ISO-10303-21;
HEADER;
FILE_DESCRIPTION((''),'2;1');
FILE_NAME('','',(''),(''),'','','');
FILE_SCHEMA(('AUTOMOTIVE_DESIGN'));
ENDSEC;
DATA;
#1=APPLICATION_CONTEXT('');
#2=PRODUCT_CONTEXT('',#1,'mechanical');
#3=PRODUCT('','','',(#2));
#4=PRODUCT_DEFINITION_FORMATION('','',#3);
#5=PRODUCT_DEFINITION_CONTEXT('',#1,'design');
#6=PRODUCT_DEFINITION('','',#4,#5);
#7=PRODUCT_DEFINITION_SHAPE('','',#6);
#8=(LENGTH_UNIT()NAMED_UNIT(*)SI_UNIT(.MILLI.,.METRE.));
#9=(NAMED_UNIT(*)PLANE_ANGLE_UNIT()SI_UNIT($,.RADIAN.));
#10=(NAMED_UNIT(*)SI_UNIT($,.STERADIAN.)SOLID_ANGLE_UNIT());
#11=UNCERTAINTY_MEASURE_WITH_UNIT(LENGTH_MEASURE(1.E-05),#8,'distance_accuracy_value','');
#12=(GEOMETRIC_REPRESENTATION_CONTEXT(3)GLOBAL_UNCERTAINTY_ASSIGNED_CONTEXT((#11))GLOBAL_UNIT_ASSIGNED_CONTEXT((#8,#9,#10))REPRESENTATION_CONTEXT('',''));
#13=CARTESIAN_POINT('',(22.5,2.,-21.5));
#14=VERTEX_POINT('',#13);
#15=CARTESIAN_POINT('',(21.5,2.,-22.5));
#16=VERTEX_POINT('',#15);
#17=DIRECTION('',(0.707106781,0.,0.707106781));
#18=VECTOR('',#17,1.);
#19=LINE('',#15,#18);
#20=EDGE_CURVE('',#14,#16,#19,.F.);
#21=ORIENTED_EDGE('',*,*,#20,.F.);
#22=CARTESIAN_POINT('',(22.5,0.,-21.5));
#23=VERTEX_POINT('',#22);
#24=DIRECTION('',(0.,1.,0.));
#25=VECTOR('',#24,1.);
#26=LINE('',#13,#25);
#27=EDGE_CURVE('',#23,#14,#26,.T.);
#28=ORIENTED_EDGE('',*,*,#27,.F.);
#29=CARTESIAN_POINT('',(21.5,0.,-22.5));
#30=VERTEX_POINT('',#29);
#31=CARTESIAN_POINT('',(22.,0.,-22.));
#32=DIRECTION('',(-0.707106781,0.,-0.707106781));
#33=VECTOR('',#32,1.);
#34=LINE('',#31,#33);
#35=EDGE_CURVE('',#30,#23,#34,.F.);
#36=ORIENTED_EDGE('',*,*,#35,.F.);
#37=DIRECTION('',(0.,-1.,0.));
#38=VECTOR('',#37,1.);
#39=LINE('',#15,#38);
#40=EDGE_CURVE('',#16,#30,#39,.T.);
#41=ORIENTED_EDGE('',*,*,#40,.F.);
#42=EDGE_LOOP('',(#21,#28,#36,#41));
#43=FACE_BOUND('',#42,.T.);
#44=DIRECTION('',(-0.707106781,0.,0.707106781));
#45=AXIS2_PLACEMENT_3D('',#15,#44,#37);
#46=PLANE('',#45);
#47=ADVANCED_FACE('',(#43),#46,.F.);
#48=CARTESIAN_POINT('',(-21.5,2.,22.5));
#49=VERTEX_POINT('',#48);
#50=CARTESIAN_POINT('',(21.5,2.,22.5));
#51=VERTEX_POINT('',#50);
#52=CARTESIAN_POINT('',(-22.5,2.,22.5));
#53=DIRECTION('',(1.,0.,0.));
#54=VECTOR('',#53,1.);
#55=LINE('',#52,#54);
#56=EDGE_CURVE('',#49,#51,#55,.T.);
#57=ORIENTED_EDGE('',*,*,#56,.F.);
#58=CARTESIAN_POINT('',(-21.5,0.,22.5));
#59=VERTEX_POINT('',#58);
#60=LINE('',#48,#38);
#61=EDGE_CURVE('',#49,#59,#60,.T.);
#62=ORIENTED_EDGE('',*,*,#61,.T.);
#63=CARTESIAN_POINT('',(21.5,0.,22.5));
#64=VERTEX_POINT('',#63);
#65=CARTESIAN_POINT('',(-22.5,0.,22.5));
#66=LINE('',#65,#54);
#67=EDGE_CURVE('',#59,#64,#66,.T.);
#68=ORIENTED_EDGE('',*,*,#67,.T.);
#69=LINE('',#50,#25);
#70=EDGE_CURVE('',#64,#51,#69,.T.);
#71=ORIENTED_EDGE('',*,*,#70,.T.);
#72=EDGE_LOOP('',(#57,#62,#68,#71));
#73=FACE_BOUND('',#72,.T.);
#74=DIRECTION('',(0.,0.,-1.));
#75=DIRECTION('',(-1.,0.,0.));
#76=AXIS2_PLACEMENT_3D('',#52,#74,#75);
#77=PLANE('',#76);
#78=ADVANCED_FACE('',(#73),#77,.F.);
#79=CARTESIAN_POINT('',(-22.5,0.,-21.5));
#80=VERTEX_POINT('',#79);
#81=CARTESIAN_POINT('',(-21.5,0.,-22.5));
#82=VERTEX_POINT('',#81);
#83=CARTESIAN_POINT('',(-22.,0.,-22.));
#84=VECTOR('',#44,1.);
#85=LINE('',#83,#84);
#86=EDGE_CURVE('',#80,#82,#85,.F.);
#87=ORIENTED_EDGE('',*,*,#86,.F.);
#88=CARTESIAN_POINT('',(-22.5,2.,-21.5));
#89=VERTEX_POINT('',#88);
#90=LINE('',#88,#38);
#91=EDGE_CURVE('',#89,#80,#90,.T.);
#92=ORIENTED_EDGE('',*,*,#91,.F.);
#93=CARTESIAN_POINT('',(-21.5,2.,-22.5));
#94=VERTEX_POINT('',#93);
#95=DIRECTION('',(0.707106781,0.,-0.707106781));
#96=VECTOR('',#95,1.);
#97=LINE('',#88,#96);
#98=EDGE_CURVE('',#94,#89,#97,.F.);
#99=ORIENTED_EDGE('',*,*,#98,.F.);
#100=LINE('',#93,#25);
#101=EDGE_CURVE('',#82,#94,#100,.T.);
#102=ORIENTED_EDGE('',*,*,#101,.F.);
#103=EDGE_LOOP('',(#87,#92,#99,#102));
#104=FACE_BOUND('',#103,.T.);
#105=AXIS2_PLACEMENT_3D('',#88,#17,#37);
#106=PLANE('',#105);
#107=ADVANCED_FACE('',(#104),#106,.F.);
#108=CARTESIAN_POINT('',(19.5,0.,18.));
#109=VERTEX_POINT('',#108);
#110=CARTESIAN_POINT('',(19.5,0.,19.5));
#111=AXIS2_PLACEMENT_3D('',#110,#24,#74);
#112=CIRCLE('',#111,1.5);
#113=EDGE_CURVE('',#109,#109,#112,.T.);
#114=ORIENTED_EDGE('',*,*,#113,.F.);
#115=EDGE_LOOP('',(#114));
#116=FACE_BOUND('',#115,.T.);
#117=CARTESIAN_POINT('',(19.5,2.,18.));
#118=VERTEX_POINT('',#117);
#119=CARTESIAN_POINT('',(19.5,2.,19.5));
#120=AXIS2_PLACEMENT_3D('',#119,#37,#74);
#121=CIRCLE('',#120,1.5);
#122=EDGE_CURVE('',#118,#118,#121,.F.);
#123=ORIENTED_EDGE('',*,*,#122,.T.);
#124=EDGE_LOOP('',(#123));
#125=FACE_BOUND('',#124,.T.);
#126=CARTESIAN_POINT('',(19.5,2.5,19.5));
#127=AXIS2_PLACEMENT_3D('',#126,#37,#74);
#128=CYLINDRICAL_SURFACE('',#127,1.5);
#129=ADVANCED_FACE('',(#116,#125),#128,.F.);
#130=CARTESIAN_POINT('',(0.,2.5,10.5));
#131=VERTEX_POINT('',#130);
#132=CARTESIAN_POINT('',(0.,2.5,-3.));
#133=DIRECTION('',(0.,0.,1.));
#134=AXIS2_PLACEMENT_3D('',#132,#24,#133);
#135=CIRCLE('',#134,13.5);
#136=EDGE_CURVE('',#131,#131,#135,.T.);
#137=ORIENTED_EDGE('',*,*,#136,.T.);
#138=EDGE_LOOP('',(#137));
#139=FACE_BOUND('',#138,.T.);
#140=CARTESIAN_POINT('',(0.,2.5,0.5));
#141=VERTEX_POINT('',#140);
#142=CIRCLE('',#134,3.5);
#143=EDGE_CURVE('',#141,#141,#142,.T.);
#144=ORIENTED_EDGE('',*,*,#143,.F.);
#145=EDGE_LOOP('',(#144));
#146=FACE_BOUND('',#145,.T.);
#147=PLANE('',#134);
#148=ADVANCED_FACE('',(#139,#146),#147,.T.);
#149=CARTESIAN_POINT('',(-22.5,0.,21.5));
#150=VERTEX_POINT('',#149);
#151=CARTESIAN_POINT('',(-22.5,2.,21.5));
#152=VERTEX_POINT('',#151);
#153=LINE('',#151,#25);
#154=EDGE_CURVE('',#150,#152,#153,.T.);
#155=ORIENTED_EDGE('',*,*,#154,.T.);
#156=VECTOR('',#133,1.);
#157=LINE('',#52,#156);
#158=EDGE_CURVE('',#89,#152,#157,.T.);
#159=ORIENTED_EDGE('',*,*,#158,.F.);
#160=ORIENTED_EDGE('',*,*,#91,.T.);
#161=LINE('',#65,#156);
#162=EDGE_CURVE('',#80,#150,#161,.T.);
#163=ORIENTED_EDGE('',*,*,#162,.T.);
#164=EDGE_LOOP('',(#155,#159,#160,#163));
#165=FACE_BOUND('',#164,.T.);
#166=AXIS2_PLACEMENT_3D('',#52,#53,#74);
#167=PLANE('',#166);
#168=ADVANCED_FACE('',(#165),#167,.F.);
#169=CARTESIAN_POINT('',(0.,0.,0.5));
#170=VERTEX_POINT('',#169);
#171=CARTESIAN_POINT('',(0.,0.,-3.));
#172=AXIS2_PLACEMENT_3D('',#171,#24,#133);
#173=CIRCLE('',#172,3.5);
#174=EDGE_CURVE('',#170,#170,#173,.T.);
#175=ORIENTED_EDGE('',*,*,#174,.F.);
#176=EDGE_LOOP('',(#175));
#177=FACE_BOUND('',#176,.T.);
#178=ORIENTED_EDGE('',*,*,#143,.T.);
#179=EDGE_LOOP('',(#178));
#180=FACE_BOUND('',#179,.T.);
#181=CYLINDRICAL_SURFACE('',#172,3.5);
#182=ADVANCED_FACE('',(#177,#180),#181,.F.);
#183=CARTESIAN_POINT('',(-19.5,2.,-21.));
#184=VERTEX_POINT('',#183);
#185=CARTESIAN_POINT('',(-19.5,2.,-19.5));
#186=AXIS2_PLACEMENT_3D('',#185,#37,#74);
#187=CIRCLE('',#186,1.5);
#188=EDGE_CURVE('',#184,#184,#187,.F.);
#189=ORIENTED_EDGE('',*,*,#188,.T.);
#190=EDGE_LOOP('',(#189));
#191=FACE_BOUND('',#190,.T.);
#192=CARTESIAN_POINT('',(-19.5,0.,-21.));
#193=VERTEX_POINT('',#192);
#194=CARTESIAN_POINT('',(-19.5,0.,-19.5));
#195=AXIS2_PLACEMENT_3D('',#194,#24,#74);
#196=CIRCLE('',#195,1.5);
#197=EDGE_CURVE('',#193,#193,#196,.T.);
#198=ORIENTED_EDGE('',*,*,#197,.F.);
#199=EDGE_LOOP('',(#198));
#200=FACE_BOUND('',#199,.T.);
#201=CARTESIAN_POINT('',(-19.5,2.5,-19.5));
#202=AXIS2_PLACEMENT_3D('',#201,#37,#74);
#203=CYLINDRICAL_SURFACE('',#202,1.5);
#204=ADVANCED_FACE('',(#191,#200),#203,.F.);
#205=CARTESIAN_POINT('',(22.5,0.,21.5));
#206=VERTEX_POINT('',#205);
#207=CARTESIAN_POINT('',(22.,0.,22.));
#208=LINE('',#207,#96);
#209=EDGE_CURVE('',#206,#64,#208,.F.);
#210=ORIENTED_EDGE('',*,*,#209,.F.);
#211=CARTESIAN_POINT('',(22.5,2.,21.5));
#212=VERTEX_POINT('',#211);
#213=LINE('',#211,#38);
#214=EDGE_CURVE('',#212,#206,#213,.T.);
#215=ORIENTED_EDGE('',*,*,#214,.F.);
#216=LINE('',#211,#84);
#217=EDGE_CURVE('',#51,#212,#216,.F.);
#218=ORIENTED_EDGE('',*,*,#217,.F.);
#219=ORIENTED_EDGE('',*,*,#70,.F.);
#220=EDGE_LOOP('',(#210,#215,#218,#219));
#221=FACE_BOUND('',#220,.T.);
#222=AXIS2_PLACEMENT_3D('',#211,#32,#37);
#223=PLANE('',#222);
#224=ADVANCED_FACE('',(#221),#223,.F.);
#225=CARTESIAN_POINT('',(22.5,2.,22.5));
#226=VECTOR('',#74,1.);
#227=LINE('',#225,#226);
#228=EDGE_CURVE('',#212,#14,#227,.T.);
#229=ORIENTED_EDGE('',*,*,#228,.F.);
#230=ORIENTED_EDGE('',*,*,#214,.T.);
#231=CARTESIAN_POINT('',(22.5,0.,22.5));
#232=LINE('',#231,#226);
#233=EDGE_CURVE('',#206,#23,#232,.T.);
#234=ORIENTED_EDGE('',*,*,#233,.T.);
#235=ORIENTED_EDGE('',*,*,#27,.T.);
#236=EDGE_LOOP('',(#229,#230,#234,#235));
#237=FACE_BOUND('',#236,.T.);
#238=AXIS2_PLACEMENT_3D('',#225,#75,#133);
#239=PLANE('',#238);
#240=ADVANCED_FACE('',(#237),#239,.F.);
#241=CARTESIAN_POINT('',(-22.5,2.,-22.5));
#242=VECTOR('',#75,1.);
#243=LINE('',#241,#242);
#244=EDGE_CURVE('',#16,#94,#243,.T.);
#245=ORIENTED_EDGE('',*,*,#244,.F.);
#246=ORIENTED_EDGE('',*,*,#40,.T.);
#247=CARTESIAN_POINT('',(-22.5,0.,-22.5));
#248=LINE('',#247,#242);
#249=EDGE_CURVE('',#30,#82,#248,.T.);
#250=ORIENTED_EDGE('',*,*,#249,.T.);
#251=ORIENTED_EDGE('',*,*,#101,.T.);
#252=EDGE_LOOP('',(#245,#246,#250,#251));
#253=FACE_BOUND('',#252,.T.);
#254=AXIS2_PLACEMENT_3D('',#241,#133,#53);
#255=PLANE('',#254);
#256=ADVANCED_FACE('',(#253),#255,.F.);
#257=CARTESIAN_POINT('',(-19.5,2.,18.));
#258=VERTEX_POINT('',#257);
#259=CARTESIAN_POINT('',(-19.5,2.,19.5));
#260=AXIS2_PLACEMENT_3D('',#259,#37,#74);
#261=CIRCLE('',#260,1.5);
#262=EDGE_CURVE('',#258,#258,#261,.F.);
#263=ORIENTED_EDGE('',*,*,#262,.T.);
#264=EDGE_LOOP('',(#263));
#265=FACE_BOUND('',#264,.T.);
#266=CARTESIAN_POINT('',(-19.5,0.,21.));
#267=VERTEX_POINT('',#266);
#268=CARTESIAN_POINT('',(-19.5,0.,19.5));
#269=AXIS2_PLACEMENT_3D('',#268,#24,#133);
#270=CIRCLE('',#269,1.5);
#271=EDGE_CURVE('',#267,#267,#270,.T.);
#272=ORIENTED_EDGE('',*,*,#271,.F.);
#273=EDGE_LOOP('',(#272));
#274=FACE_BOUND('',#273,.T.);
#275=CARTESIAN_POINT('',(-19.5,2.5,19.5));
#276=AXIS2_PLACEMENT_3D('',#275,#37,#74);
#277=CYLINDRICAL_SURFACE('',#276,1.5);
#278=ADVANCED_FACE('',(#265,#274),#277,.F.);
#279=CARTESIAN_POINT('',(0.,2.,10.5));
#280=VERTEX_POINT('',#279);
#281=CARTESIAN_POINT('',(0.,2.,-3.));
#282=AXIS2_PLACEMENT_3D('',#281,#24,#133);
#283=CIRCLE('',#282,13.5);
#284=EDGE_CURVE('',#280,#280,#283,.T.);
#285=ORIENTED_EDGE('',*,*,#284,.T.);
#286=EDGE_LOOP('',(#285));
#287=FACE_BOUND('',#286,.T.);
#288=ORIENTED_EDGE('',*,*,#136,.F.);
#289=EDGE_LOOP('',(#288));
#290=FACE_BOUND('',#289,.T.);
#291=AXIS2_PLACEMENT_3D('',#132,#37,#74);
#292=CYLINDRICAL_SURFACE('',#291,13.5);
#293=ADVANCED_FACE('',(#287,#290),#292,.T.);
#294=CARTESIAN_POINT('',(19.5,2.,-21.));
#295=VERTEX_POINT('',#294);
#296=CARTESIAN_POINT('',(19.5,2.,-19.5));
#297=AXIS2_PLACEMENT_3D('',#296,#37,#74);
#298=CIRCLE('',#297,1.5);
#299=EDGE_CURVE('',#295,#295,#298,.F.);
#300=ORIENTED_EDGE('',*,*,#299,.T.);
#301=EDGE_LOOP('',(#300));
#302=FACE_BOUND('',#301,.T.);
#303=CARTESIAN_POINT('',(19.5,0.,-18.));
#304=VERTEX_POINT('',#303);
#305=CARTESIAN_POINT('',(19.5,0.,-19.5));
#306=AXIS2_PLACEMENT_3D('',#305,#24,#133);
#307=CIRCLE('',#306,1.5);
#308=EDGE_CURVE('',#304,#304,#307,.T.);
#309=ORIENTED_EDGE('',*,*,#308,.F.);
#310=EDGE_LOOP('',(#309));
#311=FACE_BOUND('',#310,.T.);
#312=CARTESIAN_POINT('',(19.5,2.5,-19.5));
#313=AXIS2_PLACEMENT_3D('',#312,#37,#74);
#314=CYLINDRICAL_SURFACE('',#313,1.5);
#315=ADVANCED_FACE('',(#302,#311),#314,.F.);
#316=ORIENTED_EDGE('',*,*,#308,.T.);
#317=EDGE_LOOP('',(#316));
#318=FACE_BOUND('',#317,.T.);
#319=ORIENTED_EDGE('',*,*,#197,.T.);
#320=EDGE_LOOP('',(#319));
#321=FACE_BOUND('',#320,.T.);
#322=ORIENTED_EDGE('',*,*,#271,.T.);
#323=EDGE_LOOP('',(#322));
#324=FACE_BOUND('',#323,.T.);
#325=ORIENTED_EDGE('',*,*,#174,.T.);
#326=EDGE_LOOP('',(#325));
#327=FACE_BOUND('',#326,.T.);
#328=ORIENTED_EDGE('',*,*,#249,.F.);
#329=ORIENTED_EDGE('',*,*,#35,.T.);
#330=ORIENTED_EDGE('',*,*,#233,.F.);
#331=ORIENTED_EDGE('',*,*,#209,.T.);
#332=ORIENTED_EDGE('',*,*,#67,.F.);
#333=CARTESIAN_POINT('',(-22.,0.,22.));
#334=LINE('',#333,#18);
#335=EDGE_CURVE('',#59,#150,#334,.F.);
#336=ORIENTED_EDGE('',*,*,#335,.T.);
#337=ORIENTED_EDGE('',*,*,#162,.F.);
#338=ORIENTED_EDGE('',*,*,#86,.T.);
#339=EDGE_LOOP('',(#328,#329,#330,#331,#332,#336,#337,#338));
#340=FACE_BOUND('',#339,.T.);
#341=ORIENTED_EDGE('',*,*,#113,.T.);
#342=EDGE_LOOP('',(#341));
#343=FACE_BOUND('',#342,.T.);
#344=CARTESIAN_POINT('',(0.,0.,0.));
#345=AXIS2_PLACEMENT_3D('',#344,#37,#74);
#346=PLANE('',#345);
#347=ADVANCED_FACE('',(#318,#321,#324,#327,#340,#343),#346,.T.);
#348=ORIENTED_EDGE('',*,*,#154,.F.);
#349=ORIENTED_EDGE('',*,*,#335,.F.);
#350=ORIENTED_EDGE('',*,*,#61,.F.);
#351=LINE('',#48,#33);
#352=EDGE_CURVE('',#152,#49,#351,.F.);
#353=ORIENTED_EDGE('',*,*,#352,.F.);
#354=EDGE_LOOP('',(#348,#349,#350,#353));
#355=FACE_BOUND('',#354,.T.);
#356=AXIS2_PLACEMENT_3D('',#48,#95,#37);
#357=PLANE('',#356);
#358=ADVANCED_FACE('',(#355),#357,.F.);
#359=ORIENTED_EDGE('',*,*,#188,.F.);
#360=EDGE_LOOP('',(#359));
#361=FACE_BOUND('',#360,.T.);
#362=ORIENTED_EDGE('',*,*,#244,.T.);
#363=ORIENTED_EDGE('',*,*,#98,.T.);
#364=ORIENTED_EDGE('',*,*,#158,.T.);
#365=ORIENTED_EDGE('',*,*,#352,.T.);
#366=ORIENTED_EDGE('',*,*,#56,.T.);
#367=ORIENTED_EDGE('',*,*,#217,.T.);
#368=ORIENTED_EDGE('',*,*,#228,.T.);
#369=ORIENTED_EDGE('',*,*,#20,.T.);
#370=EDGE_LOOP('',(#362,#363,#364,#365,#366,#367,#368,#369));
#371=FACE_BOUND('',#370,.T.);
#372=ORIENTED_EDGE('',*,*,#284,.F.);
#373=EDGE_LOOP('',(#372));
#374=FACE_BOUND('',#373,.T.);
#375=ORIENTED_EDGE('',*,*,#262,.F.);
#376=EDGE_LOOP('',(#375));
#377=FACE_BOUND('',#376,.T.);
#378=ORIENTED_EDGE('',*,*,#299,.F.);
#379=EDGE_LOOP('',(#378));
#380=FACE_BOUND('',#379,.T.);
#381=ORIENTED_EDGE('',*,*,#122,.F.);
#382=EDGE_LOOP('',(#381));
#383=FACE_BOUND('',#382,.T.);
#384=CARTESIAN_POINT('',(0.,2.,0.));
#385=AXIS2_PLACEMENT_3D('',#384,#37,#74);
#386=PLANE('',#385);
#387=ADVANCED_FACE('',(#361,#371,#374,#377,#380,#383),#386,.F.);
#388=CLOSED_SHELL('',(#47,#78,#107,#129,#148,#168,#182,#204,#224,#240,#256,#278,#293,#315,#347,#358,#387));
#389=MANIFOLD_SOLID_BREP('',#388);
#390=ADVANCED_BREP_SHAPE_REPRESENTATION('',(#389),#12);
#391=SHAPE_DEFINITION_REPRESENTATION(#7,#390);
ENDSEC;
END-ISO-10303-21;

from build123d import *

# Parameters (mm, degrees)
SKETCH_1_W          = 45
SKETCH_1_H          = 45
EXTRUDE_1_DEPTH     = 2
SKETCH_2_R          = 3.5
CUT_EXTRUDE_1_DEPTH = 32.882597134
EXTRUDE_START       = 0.5
SKETCH_3_R          = 13.5
SKETCH_3_R_2        = 3.5
EXTRUDE_2_DEPTH     = 0.5
SKETCH_4_R          = 1.5
CUT_EXTRUDE_4_DEPTH = 32.917863337
CHAMFER_1_SIZE      = 1


with BuildPart() as part:
    # 草图1 → 凸台-拉伸1 (new body)
    with BuildSketch(Plane(origin=(0, 0, 0), x_dir=(1, 0, 0), z_dir=(0, 1, 0))):
        Rectangle(SKETCH_1_W, SKETCH_1_H)
    extrude(amount=EXTRUDE_1_DEPTH)

    # 草图2 → 切除-拉伸1 (cut, through all)
    with BuildSketch(Plane(origin=(0, 2, 0), x_dir=(1, 0, 0), z_dir=(0, 1, 0))):
        with Locations(Location((0, 3, 0), (0, 0, 270))):
            Circle(SKETCH_2_R)
    extrude(amount=-CUT_EXTRUDE_1_DEPTH, mode=Mode.SUBTRACT)

    # 草图3 → 凸台-拉伸2 (add)
    with BuildSketch(Plane(origin=(0, 2, 0), x_dir=(1, 0, 0), z_dir=(0, 1, 0)).offset(EXTRUDE_START)):
        with Locations(Location((0, 3, 0), (0, 0, 270))):
            Circle(SKETCH_3_R)
        with Locations(Location((0, 3, 0), (0, 0, 270))):
            Circle(SKETCH_3_R_2, mode=Mode.SUBTRACT)
    extrude(amount=-EXTRUDE_2_DEPTH)

    # 草图4 → 切除-拉伸4 (cut, through all)
    with BuildSketch(Plane(origin=(0, 0, 0), x_dir=(1, 0, 0), z_dir=(0, 1, 0))):
        with Locations(Location((19.5, 19.5, 0), (0, 0, 90))):
            Circle(SKETCH_4_R)
        with Locations(Location((-19.5, 19.5, 0), (0, 0, 90))):
            Circle(SKETCH_4_R)
        with Locations(Location((-19.5, -19.5, 0), (0, 0, 90))):
            Circle(SKETCH_4_R)
        with Locations(Location((19.5, -19.5, 0), (0, 0, 90))):
            Circle(SKETCH_4_R)
    extrude(amount=CUT_EXTRUDE_4_DEPTH, mode=Mode.SUBTRACT)

    # 倒角1
    chamfer_1_edges = [part.edges().sort_by_distance(p)[0] for p in [
        (22.5, 1, 22.5),
        (-22.5, 1, 22.5),
        (-22.5, 1, -22.5),
        (22.5, 1, -22.5),
    ]]
    chamfer(chamfer_1_edges, length=CHAMFER_1_SIZE)


solid = part.part
